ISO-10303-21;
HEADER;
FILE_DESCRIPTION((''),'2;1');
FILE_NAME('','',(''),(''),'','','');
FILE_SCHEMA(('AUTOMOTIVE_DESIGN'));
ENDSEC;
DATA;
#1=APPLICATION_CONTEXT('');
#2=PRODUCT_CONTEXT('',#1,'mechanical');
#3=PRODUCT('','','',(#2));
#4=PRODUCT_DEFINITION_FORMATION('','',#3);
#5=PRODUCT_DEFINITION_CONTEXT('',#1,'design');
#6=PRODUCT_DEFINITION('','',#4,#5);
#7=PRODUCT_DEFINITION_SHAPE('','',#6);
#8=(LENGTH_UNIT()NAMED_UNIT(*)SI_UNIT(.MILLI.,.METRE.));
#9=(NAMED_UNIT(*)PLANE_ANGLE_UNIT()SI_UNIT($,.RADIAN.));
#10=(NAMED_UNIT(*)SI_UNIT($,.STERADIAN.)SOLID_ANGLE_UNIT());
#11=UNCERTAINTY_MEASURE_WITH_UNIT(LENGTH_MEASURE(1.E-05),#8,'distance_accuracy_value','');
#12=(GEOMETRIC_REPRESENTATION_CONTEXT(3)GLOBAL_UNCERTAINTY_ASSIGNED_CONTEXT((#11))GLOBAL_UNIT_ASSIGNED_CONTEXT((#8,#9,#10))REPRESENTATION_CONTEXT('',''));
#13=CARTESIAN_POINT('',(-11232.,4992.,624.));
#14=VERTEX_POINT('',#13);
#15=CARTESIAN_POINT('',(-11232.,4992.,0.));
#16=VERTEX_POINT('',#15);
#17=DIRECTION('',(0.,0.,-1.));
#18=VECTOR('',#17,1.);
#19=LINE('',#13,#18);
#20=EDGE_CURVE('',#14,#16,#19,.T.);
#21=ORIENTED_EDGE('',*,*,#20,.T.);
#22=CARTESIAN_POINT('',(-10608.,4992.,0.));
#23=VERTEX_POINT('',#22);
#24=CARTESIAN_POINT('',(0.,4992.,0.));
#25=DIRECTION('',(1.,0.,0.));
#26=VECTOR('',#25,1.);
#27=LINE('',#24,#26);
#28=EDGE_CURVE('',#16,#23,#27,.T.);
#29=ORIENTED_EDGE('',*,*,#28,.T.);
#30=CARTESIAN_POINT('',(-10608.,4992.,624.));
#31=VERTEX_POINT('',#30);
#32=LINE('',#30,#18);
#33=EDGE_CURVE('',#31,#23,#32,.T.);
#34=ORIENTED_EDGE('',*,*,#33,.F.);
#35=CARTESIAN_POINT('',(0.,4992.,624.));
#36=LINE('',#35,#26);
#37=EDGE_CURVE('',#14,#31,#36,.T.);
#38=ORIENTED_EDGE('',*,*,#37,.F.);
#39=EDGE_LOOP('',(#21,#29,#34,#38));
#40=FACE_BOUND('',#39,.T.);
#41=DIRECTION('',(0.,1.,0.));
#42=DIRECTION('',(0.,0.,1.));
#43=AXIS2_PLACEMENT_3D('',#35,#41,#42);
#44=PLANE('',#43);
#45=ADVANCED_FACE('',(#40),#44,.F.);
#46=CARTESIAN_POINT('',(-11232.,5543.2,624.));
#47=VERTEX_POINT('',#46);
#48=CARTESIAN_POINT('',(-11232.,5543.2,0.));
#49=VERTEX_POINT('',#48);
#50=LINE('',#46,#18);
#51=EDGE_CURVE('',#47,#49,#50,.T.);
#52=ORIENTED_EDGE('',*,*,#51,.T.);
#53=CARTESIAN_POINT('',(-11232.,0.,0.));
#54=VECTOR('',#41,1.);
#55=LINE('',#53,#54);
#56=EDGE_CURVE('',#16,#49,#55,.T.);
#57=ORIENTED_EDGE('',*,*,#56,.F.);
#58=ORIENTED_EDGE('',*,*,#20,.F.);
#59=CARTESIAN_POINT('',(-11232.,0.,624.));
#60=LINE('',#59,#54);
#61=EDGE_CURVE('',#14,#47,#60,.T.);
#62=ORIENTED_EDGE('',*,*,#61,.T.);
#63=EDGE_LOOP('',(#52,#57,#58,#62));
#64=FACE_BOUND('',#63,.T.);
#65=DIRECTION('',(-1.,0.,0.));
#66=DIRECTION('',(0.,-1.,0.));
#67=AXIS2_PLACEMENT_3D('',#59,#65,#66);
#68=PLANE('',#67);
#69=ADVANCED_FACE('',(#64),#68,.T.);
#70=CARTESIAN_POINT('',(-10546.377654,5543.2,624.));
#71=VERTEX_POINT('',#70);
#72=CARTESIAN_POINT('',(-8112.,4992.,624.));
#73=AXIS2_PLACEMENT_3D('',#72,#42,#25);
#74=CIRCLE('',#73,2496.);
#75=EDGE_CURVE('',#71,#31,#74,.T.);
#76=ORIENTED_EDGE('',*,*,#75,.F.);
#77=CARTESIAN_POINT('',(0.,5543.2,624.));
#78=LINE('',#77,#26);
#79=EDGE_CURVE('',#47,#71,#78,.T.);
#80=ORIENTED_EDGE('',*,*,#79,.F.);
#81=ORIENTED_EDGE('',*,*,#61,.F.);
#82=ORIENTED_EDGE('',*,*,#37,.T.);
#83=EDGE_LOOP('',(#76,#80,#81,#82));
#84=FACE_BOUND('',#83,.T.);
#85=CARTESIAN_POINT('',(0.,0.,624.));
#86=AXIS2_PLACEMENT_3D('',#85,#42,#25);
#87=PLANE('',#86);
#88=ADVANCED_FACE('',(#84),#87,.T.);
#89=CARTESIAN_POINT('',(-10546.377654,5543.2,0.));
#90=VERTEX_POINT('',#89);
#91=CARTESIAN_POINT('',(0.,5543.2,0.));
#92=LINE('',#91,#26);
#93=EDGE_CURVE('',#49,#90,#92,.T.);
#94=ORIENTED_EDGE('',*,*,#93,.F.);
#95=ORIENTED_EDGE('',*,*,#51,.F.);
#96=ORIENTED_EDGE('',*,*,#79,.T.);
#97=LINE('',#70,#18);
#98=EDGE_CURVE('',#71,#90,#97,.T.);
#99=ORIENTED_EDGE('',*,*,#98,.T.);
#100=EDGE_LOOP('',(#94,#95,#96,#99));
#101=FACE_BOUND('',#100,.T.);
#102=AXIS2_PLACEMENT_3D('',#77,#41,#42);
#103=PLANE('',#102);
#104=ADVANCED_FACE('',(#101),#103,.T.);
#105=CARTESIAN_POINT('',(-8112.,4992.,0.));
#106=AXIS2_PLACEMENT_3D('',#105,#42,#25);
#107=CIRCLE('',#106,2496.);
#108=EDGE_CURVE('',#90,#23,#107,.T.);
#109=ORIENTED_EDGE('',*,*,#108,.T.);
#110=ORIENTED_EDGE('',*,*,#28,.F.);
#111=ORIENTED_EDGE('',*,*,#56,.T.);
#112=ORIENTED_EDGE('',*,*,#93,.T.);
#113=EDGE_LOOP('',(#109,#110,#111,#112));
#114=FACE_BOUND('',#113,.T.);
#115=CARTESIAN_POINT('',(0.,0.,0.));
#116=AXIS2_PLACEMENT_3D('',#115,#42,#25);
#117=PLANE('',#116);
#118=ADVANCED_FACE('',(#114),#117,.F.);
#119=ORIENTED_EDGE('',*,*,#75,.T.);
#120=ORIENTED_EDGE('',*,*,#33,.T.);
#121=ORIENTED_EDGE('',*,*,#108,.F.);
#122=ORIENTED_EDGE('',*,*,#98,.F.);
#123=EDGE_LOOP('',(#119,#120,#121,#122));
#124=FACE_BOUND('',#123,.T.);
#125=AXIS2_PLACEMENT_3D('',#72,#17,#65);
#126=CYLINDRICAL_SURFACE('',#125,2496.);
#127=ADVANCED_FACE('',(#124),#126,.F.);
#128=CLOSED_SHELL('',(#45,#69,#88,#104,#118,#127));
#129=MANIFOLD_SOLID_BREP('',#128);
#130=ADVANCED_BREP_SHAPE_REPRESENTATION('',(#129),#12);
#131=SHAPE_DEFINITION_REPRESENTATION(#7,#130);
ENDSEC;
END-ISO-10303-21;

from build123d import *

# Parameters (mm, degrees)
EXTRUDE_1_DEPTH = 480
SCALE_1_SCALE   = 1.3


with BuildPart() as part:
    # 草图1 → 凸台-拉伸1 (new body)
    with BuildSketch(Plane.XY):
        with BuildLine():
            Line((-8640, 3840), (-8160, 3840))
            ThreePointArc((-8160, 3840), (-8148.112750133, 4053.320727495), (-8112.598195022, 4264))
            Line((-8112.598195022, 4264), (-8592.598195022, 4264))
            Line((-8592.598195022, 4264), (-8640, 4264))
            Line((-8640, 4264), (-8640, 3840))
        make_face()
    extrude(amount=EXTRUDE_1_DEPTH)


with BuildPart() as part_1:
    # 缩放比例1: scaled about (0, 0, 0)
    add(part.part.scale(SCALE_1_SCALE))


solid = part_1.part
